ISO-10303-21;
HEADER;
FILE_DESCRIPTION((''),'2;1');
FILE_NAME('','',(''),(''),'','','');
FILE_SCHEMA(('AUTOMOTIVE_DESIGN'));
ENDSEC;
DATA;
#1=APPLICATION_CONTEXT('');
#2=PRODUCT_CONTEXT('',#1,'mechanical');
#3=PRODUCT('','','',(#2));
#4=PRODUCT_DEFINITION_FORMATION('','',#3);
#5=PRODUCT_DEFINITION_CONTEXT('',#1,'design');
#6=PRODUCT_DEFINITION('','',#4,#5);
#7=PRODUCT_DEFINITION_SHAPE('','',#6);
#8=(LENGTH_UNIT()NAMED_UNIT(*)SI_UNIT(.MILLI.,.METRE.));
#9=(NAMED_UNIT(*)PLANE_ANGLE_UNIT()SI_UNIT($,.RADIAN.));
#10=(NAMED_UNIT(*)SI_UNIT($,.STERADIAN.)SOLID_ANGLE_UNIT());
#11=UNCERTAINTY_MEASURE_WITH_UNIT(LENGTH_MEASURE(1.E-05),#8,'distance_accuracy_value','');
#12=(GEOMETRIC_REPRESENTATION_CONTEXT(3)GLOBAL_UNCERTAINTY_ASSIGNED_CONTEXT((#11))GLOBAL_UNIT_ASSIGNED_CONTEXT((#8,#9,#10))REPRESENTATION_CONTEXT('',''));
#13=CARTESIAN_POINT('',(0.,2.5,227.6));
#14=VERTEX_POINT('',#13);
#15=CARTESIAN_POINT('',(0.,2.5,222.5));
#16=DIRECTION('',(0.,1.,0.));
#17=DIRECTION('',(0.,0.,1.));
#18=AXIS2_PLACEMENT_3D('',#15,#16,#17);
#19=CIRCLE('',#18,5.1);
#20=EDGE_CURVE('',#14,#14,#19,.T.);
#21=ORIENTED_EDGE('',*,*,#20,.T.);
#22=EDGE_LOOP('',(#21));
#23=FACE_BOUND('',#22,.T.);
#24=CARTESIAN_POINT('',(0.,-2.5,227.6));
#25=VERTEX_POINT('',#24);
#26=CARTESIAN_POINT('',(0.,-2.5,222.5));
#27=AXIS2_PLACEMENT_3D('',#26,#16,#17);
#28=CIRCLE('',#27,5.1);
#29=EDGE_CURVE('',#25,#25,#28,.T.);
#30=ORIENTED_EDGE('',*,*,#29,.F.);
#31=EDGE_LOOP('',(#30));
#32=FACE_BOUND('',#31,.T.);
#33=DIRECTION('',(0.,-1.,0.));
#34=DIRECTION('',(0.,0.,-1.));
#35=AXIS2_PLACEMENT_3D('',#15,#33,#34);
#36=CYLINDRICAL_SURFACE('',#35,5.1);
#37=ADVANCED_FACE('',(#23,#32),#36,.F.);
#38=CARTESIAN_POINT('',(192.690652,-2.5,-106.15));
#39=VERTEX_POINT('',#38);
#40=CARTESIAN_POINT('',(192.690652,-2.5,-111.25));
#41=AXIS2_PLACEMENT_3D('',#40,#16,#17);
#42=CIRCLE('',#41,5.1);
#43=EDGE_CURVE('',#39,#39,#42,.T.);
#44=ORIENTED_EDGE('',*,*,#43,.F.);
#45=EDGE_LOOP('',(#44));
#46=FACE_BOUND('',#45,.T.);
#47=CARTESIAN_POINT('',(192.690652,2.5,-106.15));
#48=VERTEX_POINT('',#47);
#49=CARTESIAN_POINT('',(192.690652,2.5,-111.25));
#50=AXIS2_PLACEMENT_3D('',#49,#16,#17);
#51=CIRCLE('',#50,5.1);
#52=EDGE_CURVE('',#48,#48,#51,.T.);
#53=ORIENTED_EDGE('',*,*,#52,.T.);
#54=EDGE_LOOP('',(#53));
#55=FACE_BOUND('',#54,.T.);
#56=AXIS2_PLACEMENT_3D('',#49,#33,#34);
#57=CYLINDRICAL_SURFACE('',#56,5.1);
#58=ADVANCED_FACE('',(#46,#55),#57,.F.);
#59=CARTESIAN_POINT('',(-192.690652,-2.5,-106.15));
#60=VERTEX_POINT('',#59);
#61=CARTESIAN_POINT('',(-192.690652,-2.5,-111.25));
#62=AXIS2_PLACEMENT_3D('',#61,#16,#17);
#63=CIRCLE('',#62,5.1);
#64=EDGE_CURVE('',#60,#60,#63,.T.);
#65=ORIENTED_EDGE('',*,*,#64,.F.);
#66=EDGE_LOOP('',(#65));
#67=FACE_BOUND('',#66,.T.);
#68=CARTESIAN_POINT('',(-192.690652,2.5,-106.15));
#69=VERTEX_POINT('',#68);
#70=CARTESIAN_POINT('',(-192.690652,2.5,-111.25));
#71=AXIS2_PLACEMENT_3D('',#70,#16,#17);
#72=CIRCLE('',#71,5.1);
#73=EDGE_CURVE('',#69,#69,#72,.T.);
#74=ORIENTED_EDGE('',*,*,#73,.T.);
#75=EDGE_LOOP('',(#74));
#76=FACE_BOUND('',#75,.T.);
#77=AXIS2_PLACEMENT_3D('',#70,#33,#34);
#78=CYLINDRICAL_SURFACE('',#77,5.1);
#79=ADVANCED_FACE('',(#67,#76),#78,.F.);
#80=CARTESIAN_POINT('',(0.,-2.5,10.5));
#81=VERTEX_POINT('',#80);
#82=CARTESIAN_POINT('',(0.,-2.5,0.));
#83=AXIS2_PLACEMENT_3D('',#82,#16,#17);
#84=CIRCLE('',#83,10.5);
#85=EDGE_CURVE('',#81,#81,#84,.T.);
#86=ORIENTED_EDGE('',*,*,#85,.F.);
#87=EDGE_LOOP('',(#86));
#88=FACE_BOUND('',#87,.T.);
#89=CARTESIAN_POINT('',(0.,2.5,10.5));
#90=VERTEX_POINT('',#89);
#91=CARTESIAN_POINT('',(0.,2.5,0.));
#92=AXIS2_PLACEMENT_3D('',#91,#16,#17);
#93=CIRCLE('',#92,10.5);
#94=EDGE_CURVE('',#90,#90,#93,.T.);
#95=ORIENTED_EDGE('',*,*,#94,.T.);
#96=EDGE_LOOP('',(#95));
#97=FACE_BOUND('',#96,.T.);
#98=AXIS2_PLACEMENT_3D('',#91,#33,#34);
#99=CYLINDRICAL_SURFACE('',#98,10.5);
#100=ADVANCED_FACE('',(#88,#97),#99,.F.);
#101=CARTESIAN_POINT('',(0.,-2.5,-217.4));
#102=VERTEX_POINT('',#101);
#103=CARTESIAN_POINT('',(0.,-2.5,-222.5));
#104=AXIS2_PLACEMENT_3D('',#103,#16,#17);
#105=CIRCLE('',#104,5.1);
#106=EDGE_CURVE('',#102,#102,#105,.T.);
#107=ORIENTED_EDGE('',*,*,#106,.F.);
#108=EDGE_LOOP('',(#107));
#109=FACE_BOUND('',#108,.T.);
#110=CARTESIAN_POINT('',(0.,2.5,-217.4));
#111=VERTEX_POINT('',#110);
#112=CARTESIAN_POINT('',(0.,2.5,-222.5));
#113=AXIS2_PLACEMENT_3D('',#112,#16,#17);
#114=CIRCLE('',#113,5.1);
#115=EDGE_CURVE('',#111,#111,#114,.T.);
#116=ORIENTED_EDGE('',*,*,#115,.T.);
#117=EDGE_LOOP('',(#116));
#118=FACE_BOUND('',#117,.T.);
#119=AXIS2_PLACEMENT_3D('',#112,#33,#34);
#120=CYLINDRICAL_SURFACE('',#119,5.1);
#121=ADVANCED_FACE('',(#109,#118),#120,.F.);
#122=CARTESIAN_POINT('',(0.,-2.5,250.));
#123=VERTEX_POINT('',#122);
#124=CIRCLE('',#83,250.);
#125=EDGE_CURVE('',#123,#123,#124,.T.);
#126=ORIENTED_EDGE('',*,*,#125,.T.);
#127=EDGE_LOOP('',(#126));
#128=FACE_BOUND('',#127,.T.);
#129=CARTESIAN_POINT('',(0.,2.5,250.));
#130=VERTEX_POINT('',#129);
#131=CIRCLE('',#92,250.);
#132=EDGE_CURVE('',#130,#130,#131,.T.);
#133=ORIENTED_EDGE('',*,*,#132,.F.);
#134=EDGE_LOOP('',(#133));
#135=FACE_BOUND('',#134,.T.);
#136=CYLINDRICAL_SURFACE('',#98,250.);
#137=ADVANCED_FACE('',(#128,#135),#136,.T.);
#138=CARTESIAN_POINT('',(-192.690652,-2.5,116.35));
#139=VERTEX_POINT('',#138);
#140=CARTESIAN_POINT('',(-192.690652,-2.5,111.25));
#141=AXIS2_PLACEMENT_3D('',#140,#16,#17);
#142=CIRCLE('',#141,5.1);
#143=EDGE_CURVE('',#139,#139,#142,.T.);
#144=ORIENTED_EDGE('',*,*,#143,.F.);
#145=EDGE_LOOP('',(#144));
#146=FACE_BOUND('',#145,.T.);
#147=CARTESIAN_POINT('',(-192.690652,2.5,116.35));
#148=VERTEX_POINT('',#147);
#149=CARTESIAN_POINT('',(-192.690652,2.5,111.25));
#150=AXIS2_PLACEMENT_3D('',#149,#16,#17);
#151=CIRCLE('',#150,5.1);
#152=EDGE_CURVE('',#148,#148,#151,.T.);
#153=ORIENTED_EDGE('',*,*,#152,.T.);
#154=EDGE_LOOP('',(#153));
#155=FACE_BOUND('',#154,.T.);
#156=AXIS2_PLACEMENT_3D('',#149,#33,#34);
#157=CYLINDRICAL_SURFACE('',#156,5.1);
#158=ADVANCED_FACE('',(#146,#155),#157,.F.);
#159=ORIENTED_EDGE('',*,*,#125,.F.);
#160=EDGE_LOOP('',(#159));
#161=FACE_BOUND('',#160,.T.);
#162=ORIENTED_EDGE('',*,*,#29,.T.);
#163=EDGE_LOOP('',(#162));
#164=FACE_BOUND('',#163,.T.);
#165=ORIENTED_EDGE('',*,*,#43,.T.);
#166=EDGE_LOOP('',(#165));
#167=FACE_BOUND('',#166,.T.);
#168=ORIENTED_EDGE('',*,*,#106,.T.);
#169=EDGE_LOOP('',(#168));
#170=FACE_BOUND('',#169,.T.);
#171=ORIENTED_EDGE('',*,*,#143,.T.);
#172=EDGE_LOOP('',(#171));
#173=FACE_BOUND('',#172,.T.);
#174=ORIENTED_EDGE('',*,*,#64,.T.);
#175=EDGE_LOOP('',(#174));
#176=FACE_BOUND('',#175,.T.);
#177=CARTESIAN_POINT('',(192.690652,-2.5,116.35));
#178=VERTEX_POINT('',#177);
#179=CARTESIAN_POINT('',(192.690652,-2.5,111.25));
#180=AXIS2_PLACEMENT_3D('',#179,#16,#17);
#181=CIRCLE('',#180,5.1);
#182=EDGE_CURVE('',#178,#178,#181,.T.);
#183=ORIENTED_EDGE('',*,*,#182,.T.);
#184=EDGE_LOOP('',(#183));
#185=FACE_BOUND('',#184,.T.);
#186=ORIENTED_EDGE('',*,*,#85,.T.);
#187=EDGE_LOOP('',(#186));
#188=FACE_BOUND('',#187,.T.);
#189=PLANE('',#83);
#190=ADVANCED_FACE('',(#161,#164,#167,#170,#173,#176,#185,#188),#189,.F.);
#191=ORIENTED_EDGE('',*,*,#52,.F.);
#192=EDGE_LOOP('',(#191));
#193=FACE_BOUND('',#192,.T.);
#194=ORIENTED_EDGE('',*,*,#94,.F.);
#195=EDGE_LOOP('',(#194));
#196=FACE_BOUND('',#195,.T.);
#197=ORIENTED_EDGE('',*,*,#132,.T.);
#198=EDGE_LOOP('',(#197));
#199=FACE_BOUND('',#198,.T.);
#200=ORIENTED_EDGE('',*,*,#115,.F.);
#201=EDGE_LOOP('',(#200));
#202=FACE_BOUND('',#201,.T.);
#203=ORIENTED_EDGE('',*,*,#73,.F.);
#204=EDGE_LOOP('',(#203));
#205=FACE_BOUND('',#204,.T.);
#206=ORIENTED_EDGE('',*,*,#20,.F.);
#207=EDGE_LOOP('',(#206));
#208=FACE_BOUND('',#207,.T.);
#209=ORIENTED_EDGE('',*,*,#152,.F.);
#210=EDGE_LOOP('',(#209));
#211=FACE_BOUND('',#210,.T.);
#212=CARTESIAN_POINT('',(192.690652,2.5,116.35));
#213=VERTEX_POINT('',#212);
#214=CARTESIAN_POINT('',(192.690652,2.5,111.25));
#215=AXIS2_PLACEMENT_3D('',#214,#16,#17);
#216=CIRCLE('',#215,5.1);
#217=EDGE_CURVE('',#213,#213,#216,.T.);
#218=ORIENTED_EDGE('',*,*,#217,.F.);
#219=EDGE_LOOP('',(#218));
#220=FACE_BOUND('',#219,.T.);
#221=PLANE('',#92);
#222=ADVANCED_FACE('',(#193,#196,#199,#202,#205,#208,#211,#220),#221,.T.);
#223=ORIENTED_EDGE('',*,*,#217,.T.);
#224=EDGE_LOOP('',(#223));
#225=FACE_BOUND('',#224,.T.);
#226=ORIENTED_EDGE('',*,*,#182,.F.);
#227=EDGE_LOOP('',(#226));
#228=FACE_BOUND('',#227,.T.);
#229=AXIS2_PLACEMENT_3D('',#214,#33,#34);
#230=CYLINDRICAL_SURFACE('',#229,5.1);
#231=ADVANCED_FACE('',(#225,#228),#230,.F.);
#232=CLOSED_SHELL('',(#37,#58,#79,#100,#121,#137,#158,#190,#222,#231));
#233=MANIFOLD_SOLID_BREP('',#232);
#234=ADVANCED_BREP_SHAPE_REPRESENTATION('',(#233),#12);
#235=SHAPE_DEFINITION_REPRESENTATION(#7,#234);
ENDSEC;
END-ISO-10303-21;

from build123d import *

# Parameters (mm, degrees)
SKETCH1_R           = 250
SKETCH1_R_2         = 5.1
SKETCH1_R_3         = 10.5
BOSS_EXTRUDE1_DEPTH = 2.5


with BuildPart() as part:
    # Sketch1 → Boss-Extrude1 (new, symmetric)
    with BuildSketch(Plane(origin=(0, 0, 0), x_dir=(1, 0, 0), z_dir=(0, 1, 0))):
        with Locations(Location((0, 0, 0), (0, 0, 270))):
            Circle(SKETCH1_R)
        with Locations(Location((0, 222.5, 0), (0, 0, 270))):
            Circle(SKETCH1_R_2, mode=Mode.SUBTRACT)
        with Locations(Location((192.690652342, 111.25, 0), (0, 0, 270))):
            Circle(SKETCH1_R_2, mode=Mode.SUBTRACT)
        with Locations(Location((192.690652342, -111.25, 0), (0, 0, 270))):
            Circle(SKETCH1_R_2, mode=Mode.SUBTRACT)
        with Locations(Location((0, -222.5, 0), (0, 0, 270))):
            Circle(SKETCH1_R_2, mode=Mode.SUBTRACT)
        with Locations(Location((-192.690652342, -111.25, 0), (0, 0, 270))):
            Circle(SKETCH1_R_2, mode=Mode.SUBTRACT)
        with Locations(Location((-192.690652342, 111.25, 0), (0, 0, 270))):
            Circle(SKETCH1_R_2, mode=Mode.SUBTRACT)
        with Locations(Location((0, 0, 0), (0, 0, 270))):
            Circle(SKETCH1_R_3, mode=Mode.SUBTRACT)
    extrude(amount=BOSS_EXTRUDE1_DEPTH, both=True)


solid = part.part
